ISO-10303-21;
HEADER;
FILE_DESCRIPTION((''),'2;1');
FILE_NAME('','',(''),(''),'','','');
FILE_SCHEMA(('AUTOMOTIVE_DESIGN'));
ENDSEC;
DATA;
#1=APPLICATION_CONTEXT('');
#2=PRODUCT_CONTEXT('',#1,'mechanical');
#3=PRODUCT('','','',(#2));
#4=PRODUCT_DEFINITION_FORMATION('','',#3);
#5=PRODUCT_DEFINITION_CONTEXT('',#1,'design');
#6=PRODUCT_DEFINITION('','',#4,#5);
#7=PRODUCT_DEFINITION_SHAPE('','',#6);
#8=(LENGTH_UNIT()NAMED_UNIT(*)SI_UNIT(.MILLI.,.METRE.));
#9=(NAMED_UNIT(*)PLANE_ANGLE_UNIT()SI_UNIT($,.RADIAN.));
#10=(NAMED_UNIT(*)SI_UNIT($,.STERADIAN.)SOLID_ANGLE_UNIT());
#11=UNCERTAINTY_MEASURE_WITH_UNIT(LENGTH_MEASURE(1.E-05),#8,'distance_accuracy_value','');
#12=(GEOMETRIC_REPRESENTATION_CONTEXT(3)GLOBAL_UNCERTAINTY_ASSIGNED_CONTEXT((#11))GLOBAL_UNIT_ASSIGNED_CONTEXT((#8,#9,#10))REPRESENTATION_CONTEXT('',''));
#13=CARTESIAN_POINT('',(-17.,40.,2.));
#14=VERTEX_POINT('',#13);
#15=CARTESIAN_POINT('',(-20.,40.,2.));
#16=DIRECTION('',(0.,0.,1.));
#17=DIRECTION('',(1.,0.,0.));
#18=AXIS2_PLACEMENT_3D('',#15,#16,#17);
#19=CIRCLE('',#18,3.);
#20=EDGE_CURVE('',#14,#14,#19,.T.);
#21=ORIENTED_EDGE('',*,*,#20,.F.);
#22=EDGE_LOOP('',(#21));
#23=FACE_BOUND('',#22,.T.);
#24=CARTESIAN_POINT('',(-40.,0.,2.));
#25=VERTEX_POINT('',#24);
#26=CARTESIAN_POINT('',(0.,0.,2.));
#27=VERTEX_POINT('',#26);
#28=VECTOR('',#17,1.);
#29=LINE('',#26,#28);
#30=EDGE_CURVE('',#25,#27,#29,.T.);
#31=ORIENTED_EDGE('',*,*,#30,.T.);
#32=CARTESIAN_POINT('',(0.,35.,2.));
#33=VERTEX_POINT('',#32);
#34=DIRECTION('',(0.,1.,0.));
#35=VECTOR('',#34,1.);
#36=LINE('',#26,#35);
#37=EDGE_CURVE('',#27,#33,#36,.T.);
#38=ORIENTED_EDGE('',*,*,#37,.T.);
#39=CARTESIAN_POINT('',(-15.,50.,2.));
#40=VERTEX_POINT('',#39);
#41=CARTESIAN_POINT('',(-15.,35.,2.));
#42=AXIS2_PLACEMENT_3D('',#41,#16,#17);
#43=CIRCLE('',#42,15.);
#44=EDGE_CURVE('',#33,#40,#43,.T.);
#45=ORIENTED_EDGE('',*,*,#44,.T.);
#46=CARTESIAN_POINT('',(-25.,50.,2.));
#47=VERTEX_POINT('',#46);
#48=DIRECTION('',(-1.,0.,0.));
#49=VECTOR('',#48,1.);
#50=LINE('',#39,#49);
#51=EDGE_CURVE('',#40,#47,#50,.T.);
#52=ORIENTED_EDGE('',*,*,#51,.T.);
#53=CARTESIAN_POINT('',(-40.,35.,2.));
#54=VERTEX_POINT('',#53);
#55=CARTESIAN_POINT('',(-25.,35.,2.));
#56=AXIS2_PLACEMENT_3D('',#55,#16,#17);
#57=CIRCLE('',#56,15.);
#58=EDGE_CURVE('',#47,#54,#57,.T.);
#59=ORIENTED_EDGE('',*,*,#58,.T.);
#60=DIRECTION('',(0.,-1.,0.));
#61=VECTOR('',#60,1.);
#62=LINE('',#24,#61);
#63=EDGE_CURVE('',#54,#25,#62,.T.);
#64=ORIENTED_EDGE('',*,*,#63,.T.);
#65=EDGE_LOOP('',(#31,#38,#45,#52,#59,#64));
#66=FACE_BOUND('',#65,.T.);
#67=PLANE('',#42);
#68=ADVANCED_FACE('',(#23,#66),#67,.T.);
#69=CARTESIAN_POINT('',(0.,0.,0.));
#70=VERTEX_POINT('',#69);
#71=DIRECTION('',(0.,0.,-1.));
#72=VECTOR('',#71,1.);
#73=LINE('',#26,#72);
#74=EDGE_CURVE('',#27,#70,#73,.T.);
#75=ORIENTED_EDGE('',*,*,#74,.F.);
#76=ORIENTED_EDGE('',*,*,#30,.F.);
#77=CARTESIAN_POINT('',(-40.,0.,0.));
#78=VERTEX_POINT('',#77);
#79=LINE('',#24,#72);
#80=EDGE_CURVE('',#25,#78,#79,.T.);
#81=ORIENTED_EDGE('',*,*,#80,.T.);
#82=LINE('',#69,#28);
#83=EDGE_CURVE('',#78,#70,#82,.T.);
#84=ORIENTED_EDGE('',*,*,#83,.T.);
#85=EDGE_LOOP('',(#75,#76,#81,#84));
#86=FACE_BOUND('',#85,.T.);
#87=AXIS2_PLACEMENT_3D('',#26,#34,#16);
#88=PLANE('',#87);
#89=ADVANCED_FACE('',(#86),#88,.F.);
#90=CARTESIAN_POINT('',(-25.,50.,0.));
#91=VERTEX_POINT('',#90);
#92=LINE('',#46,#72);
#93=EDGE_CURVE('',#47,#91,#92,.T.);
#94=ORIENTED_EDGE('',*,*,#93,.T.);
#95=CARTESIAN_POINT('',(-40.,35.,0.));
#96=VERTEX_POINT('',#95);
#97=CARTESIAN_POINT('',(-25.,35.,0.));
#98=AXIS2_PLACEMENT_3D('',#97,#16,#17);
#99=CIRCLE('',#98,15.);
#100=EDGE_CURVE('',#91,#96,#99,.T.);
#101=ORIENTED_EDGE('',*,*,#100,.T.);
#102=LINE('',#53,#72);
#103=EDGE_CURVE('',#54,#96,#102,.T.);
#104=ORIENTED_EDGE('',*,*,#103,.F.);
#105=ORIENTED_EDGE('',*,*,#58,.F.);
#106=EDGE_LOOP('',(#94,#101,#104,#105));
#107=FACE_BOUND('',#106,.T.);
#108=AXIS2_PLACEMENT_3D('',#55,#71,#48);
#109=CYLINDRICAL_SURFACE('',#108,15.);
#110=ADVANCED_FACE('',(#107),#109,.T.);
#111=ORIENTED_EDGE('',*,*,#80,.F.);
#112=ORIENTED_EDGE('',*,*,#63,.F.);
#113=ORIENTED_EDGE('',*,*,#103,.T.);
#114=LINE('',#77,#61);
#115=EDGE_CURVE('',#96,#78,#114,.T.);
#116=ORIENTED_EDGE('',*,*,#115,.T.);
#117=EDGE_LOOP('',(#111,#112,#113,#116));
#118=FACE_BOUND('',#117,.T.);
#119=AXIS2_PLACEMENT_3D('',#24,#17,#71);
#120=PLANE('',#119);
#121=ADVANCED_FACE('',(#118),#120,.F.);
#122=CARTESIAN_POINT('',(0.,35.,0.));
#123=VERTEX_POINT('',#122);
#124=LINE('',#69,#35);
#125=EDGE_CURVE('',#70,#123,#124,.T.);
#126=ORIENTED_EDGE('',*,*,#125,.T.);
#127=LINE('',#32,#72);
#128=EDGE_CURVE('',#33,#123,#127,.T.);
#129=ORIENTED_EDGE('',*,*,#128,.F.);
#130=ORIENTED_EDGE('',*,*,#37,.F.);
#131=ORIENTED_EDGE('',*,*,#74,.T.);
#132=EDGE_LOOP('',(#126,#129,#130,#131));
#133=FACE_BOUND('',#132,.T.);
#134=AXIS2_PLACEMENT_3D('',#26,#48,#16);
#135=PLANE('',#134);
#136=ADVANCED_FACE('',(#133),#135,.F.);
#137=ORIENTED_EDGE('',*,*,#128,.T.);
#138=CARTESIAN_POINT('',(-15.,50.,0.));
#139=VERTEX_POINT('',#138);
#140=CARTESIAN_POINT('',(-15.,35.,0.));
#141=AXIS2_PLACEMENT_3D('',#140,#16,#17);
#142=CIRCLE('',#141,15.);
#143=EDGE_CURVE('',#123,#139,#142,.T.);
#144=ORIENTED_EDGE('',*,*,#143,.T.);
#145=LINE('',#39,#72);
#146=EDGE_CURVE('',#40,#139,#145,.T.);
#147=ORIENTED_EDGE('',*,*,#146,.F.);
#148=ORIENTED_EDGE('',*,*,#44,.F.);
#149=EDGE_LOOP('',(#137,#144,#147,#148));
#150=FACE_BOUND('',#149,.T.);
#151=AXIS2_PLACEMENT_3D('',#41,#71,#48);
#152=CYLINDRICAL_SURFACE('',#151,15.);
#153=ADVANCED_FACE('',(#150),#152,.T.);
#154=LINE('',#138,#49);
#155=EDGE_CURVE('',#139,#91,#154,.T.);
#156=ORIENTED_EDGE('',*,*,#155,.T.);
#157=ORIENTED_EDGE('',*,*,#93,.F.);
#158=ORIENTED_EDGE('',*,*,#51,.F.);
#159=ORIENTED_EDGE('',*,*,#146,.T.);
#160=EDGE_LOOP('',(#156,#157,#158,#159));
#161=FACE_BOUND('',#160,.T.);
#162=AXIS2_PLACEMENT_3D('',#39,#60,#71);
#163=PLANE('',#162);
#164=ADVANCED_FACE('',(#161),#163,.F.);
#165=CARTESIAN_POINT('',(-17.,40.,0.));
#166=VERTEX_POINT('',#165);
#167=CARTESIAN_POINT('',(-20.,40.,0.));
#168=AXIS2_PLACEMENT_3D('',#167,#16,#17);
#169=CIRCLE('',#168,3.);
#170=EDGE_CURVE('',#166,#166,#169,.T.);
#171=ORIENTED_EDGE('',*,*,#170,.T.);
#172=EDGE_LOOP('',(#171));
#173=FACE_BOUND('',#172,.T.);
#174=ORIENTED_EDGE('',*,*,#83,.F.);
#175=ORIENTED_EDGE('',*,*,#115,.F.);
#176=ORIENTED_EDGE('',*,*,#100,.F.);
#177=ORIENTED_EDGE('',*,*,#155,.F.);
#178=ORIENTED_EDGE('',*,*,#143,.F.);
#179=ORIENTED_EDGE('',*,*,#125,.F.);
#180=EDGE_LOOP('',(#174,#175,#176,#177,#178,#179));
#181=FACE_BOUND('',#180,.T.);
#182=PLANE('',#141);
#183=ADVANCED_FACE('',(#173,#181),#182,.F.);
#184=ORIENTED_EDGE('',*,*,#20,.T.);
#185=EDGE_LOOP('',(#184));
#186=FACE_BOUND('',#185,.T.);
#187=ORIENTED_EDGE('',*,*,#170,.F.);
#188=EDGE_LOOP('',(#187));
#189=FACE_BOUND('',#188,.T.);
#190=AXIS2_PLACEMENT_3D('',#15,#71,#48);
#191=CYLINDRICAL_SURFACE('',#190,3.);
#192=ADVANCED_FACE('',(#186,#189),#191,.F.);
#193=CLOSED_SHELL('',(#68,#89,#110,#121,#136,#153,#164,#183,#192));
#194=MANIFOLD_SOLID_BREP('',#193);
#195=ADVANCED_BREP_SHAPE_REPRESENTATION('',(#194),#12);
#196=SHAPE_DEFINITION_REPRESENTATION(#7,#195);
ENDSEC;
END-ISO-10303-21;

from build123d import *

# Parameters (mm, degrees)
SZKIC1_R                    = 3
DODANIE_WYCI_GNI_CIE1_DEPTH = 2


with BuildPart() as part:
    # Szkic1 → Dodanie-wyciągnięcie1 (new body)
    with BuildSketch(Plane.XY):
        with BuildLine():
            Line((0, 0), (-40, 0))
            Line((-40, 0), (-40, 35))
            ThreePointArc((-40, 35), (-35.606601718, 45.606601718), (-25, 50))
            Line((-25, 50), (-15, 50))
            ThreePointArc((-15, 50), (-4.393398282, 45.606601718), (0, 35))
            Line((0, 35), (0, 0))
        make_face()
        with Locations((-20, 40)):
            Circle(SZKIC1_R, mode=Mode.SUBTRACT)
    extrude(amount=DODANIE_WYCI_GNI_CIE1_DEPTH)


solid = part.part
